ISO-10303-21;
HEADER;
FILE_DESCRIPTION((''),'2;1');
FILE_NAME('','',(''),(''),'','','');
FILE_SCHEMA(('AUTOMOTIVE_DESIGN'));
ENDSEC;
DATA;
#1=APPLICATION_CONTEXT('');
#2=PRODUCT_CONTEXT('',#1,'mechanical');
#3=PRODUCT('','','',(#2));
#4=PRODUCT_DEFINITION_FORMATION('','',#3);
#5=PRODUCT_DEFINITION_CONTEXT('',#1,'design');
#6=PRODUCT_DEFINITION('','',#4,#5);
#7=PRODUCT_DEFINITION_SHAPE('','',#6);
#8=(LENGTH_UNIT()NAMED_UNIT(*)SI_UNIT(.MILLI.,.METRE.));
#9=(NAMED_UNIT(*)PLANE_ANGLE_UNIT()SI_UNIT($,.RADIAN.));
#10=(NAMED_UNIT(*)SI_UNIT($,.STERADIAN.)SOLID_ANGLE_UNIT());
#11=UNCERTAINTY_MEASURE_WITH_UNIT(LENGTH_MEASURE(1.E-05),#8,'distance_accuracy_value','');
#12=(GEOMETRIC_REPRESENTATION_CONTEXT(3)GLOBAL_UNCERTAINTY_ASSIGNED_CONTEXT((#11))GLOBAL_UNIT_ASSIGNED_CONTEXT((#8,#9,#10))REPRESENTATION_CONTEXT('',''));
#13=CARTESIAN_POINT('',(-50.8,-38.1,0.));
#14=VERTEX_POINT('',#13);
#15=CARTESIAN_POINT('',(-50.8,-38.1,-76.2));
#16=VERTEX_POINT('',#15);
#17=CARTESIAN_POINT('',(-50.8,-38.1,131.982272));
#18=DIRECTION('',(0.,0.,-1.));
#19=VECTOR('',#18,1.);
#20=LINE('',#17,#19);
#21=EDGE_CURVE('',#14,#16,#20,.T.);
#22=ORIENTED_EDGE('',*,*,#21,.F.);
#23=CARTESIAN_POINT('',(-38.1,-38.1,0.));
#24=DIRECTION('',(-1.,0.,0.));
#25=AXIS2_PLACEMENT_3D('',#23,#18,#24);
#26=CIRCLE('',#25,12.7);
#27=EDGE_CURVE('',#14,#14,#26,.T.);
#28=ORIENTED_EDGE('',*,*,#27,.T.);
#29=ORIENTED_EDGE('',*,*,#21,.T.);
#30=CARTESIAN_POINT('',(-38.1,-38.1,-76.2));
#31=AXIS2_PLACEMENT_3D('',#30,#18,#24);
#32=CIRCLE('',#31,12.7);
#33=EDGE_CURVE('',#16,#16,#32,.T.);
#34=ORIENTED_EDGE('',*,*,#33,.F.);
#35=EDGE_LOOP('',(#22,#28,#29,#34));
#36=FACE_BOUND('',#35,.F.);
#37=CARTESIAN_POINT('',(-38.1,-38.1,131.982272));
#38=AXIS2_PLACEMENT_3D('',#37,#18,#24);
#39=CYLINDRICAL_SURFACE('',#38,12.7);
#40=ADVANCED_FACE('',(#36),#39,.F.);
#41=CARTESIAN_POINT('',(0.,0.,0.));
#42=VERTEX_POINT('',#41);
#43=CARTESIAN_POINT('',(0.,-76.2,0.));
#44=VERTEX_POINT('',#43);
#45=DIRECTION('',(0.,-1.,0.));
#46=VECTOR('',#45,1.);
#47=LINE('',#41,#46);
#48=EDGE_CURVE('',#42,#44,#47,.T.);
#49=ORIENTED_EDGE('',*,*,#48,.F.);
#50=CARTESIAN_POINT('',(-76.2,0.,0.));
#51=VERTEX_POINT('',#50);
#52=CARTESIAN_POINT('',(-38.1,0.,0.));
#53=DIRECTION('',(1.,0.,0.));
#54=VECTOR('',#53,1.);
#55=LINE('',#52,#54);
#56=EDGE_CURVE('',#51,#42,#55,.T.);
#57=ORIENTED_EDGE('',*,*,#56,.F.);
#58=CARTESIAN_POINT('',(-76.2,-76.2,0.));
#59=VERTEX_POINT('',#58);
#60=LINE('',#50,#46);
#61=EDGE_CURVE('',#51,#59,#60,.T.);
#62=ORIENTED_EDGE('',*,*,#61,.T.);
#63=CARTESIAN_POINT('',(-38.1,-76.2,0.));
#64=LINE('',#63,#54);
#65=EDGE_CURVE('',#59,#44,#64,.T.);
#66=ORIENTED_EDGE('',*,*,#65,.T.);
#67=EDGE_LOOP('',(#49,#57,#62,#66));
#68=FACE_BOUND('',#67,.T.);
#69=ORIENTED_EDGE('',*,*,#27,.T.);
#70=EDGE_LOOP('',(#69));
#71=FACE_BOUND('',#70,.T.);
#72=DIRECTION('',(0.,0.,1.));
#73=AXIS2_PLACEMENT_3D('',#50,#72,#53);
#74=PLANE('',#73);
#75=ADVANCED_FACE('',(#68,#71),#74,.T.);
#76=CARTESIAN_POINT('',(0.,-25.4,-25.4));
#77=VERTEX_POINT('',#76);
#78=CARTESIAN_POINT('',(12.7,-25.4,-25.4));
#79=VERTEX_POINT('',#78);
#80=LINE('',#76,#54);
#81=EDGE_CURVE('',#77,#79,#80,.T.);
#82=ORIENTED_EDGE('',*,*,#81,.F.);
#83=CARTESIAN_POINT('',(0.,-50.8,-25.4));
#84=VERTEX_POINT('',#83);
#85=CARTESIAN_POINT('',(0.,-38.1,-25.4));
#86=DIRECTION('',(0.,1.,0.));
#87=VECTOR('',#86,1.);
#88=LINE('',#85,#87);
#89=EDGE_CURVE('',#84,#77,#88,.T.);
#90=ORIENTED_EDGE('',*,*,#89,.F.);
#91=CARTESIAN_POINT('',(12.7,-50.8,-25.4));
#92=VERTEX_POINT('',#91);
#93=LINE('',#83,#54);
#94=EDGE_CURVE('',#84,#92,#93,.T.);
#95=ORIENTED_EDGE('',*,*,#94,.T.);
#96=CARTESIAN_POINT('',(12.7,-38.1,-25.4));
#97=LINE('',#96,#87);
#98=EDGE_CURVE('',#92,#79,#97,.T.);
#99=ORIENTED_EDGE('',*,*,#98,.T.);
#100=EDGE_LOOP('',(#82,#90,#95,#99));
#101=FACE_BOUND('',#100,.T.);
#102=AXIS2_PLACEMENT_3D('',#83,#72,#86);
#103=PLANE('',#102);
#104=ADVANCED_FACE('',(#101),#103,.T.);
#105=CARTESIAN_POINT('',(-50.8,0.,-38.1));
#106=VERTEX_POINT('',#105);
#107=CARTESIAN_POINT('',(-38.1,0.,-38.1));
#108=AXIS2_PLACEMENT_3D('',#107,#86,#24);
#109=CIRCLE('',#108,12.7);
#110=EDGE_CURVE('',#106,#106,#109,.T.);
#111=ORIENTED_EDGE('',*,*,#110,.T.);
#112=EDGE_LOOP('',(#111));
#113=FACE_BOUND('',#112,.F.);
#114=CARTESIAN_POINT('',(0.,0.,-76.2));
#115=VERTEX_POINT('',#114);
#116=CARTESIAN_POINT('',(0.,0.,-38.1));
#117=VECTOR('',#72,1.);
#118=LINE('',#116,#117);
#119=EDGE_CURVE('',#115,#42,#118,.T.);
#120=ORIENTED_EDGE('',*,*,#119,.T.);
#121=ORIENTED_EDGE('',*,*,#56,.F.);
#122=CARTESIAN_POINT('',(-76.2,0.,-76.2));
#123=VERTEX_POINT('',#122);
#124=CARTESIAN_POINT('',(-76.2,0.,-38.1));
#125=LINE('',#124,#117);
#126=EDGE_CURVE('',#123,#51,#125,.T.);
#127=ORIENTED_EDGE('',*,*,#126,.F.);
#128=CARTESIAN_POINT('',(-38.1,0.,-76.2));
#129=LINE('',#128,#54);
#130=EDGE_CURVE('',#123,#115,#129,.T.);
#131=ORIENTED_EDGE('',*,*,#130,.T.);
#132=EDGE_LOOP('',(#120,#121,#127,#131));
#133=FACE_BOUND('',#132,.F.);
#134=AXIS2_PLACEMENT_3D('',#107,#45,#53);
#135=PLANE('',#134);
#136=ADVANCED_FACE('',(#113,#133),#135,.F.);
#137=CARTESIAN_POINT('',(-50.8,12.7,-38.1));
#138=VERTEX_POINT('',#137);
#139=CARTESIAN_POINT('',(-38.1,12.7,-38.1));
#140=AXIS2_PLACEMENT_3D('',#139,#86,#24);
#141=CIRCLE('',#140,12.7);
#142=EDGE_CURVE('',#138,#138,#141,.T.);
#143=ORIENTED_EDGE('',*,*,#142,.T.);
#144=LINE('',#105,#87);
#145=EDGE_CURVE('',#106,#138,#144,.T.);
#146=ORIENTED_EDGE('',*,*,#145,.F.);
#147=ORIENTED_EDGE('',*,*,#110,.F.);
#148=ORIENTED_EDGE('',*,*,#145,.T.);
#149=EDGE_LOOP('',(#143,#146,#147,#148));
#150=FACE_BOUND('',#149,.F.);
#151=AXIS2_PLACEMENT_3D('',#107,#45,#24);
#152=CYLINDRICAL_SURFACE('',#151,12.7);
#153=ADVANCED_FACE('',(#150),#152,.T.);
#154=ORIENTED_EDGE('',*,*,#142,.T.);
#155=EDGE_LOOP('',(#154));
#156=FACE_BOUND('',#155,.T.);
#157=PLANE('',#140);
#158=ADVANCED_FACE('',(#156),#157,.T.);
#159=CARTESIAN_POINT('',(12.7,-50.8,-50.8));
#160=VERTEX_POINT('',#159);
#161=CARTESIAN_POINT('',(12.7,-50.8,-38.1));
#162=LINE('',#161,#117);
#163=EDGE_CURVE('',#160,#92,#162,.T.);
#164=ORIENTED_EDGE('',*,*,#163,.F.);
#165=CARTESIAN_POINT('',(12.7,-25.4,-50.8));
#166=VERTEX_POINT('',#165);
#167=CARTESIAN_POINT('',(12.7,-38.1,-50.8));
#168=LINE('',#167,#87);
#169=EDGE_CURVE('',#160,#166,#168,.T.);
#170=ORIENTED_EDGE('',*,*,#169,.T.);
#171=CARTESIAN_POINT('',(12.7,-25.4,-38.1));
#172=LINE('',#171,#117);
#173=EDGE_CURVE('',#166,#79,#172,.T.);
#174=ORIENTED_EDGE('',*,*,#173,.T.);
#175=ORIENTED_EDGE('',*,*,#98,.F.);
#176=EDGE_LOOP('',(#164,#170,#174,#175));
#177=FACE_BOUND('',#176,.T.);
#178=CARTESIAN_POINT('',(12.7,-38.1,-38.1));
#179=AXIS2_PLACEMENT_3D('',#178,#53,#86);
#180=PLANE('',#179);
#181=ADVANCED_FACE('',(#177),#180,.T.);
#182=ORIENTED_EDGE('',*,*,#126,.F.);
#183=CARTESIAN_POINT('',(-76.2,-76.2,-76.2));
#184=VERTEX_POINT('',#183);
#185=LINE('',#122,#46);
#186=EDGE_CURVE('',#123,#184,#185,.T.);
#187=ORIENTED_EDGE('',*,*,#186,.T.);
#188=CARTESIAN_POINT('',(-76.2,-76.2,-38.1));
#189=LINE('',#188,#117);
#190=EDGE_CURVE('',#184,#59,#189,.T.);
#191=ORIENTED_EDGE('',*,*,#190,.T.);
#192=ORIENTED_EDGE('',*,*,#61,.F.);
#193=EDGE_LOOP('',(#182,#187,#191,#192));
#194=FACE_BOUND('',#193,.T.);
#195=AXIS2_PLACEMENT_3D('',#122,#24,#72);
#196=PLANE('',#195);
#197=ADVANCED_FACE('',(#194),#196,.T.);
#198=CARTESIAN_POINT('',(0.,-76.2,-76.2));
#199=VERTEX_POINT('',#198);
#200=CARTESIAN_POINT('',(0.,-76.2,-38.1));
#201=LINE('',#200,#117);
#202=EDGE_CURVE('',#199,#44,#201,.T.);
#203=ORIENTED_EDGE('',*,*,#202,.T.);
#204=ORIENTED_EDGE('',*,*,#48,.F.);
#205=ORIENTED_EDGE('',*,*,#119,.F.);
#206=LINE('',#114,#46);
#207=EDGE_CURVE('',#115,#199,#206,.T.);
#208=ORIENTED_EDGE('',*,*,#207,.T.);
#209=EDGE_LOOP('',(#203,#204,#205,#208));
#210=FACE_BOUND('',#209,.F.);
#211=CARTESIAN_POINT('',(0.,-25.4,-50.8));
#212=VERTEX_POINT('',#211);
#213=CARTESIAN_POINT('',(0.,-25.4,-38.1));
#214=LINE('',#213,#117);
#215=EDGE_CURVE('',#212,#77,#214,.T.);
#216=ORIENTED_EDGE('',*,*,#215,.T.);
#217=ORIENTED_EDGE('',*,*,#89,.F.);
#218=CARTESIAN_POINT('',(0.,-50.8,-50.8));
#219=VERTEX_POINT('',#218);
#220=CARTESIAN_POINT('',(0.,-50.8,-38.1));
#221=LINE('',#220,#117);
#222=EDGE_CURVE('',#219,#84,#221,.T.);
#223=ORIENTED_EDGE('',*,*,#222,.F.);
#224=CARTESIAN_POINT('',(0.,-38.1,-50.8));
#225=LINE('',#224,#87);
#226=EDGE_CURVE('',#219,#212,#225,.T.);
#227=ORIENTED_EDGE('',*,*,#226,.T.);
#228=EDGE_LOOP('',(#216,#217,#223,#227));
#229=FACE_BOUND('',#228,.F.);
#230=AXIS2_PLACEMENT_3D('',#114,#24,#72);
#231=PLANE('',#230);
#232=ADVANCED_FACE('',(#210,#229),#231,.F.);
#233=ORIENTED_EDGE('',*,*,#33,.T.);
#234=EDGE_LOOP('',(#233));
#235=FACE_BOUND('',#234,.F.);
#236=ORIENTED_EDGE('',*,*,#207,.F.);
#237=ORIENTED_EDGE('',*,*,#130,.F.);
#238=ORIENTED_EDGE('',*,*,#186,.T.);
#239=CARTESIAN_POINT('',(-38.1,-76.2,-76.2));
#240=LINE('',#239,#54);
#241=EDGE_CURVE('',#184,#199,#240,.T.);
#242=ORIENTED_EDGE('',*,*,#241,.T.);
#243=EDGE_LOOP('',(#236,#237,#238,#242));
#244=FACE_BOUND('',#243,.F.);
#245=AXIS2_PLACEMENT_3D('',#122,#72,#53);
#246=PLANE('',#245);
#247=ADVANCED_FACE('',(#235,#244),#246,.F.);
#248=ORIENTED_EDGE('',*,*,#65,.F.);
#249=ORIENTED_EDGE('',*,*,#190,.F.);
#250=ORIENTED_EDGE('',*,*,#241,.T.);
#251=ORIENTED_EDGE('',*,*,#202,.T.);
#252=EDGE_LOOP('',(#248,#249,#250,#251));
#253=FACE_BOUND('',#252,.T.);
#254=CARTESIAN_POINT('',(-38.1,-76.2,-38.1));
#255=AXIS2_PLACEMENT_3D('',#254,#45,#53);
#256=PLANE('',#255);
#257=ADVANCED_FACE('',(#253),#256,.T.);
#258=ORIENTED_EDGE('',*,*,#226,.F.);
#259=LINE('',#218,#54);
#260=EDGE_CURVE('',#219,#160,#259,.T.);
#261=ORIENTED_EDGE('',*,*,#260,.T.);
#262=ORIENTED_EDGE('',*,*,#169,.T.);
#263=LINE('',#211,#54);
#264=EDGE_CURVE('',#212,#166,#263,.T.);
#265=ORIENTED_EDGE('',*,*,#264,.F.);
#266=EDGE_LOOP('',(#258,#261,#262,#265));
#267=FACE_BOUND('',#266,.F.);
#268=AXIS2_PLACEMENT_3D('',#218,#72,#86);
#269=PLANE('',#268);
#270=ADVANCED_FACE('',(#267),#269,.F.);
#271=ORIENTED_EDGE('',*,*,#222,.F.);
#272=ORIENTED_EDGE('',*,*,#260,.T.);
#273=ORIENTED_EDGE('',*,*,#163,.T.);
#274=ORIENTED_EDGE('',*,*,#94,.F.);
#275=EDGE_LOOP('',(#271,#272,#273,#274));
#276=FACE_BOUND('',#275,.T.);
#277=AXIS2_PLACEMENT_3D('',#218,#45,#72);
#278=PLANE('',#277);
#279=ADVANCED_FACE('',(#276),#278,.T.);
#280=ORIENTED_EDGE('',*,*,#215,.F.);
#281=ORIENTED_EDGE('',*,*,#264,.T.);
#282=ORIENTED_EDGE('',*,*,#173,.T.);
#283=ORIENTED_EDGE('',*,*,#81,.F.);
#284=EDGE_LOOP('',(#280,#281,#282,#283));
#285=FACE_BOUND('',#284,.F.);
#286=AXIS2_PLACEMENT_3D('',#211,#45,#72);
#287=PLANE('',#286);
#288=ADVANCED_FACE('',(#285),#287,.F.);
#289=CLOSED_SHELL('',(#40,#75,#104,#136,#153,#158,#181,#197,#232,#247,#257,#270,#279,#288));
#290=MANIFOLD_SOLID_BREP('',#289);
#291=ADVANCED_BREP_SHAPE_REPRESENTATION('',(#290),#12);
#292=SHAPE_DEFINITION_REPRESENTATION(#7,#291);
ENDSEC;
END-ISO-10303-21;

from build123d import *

# Parameters (mm, degrees)
F0_W     = 76.2
F0_H     = 76.2
F1_DEPTH = 76.2
F3_D     = 25.4
F4_W     = 25.4
F4_H     = 25.4
F5_DEPTH = 12.7
F6_R     = 12.7
F7_DEPTH = 12.7


with BuildPart() as f1:
    # F0 (on Front) → F1 (new body)
    with BuildSketch(Plane.XZ):
        with Locations((-38.1, -38.1)):
            Rectangle(F0_W, F0_H)
    extrude(amount=F1_DEPTH)

    # F3 (through all)
    with Locations(Plane.XY):
        with Locations((-38.1, -38.1)):
            Hole(F3_D / 2)

    # F4 (on face) → F5 (join)
    with BuildSketch(Plane.YZ):
        with Locations((-38.1, -38.1)):
            Rectangle(F4_W, F4_H)
    extrude(amount=F5_DEPTH)

    # F6 (on face) → F7 (join)
    with BuildSketch(Plane(origin=(0, 0, 0), x_dir=(-1, 0, 0), z_dir=(0, 1, 0))):
        with Locations((38.1, -38.1)):
            Circle(F6_R)
    extrude(amount=F7_DEPTH)


solid = f1.part
